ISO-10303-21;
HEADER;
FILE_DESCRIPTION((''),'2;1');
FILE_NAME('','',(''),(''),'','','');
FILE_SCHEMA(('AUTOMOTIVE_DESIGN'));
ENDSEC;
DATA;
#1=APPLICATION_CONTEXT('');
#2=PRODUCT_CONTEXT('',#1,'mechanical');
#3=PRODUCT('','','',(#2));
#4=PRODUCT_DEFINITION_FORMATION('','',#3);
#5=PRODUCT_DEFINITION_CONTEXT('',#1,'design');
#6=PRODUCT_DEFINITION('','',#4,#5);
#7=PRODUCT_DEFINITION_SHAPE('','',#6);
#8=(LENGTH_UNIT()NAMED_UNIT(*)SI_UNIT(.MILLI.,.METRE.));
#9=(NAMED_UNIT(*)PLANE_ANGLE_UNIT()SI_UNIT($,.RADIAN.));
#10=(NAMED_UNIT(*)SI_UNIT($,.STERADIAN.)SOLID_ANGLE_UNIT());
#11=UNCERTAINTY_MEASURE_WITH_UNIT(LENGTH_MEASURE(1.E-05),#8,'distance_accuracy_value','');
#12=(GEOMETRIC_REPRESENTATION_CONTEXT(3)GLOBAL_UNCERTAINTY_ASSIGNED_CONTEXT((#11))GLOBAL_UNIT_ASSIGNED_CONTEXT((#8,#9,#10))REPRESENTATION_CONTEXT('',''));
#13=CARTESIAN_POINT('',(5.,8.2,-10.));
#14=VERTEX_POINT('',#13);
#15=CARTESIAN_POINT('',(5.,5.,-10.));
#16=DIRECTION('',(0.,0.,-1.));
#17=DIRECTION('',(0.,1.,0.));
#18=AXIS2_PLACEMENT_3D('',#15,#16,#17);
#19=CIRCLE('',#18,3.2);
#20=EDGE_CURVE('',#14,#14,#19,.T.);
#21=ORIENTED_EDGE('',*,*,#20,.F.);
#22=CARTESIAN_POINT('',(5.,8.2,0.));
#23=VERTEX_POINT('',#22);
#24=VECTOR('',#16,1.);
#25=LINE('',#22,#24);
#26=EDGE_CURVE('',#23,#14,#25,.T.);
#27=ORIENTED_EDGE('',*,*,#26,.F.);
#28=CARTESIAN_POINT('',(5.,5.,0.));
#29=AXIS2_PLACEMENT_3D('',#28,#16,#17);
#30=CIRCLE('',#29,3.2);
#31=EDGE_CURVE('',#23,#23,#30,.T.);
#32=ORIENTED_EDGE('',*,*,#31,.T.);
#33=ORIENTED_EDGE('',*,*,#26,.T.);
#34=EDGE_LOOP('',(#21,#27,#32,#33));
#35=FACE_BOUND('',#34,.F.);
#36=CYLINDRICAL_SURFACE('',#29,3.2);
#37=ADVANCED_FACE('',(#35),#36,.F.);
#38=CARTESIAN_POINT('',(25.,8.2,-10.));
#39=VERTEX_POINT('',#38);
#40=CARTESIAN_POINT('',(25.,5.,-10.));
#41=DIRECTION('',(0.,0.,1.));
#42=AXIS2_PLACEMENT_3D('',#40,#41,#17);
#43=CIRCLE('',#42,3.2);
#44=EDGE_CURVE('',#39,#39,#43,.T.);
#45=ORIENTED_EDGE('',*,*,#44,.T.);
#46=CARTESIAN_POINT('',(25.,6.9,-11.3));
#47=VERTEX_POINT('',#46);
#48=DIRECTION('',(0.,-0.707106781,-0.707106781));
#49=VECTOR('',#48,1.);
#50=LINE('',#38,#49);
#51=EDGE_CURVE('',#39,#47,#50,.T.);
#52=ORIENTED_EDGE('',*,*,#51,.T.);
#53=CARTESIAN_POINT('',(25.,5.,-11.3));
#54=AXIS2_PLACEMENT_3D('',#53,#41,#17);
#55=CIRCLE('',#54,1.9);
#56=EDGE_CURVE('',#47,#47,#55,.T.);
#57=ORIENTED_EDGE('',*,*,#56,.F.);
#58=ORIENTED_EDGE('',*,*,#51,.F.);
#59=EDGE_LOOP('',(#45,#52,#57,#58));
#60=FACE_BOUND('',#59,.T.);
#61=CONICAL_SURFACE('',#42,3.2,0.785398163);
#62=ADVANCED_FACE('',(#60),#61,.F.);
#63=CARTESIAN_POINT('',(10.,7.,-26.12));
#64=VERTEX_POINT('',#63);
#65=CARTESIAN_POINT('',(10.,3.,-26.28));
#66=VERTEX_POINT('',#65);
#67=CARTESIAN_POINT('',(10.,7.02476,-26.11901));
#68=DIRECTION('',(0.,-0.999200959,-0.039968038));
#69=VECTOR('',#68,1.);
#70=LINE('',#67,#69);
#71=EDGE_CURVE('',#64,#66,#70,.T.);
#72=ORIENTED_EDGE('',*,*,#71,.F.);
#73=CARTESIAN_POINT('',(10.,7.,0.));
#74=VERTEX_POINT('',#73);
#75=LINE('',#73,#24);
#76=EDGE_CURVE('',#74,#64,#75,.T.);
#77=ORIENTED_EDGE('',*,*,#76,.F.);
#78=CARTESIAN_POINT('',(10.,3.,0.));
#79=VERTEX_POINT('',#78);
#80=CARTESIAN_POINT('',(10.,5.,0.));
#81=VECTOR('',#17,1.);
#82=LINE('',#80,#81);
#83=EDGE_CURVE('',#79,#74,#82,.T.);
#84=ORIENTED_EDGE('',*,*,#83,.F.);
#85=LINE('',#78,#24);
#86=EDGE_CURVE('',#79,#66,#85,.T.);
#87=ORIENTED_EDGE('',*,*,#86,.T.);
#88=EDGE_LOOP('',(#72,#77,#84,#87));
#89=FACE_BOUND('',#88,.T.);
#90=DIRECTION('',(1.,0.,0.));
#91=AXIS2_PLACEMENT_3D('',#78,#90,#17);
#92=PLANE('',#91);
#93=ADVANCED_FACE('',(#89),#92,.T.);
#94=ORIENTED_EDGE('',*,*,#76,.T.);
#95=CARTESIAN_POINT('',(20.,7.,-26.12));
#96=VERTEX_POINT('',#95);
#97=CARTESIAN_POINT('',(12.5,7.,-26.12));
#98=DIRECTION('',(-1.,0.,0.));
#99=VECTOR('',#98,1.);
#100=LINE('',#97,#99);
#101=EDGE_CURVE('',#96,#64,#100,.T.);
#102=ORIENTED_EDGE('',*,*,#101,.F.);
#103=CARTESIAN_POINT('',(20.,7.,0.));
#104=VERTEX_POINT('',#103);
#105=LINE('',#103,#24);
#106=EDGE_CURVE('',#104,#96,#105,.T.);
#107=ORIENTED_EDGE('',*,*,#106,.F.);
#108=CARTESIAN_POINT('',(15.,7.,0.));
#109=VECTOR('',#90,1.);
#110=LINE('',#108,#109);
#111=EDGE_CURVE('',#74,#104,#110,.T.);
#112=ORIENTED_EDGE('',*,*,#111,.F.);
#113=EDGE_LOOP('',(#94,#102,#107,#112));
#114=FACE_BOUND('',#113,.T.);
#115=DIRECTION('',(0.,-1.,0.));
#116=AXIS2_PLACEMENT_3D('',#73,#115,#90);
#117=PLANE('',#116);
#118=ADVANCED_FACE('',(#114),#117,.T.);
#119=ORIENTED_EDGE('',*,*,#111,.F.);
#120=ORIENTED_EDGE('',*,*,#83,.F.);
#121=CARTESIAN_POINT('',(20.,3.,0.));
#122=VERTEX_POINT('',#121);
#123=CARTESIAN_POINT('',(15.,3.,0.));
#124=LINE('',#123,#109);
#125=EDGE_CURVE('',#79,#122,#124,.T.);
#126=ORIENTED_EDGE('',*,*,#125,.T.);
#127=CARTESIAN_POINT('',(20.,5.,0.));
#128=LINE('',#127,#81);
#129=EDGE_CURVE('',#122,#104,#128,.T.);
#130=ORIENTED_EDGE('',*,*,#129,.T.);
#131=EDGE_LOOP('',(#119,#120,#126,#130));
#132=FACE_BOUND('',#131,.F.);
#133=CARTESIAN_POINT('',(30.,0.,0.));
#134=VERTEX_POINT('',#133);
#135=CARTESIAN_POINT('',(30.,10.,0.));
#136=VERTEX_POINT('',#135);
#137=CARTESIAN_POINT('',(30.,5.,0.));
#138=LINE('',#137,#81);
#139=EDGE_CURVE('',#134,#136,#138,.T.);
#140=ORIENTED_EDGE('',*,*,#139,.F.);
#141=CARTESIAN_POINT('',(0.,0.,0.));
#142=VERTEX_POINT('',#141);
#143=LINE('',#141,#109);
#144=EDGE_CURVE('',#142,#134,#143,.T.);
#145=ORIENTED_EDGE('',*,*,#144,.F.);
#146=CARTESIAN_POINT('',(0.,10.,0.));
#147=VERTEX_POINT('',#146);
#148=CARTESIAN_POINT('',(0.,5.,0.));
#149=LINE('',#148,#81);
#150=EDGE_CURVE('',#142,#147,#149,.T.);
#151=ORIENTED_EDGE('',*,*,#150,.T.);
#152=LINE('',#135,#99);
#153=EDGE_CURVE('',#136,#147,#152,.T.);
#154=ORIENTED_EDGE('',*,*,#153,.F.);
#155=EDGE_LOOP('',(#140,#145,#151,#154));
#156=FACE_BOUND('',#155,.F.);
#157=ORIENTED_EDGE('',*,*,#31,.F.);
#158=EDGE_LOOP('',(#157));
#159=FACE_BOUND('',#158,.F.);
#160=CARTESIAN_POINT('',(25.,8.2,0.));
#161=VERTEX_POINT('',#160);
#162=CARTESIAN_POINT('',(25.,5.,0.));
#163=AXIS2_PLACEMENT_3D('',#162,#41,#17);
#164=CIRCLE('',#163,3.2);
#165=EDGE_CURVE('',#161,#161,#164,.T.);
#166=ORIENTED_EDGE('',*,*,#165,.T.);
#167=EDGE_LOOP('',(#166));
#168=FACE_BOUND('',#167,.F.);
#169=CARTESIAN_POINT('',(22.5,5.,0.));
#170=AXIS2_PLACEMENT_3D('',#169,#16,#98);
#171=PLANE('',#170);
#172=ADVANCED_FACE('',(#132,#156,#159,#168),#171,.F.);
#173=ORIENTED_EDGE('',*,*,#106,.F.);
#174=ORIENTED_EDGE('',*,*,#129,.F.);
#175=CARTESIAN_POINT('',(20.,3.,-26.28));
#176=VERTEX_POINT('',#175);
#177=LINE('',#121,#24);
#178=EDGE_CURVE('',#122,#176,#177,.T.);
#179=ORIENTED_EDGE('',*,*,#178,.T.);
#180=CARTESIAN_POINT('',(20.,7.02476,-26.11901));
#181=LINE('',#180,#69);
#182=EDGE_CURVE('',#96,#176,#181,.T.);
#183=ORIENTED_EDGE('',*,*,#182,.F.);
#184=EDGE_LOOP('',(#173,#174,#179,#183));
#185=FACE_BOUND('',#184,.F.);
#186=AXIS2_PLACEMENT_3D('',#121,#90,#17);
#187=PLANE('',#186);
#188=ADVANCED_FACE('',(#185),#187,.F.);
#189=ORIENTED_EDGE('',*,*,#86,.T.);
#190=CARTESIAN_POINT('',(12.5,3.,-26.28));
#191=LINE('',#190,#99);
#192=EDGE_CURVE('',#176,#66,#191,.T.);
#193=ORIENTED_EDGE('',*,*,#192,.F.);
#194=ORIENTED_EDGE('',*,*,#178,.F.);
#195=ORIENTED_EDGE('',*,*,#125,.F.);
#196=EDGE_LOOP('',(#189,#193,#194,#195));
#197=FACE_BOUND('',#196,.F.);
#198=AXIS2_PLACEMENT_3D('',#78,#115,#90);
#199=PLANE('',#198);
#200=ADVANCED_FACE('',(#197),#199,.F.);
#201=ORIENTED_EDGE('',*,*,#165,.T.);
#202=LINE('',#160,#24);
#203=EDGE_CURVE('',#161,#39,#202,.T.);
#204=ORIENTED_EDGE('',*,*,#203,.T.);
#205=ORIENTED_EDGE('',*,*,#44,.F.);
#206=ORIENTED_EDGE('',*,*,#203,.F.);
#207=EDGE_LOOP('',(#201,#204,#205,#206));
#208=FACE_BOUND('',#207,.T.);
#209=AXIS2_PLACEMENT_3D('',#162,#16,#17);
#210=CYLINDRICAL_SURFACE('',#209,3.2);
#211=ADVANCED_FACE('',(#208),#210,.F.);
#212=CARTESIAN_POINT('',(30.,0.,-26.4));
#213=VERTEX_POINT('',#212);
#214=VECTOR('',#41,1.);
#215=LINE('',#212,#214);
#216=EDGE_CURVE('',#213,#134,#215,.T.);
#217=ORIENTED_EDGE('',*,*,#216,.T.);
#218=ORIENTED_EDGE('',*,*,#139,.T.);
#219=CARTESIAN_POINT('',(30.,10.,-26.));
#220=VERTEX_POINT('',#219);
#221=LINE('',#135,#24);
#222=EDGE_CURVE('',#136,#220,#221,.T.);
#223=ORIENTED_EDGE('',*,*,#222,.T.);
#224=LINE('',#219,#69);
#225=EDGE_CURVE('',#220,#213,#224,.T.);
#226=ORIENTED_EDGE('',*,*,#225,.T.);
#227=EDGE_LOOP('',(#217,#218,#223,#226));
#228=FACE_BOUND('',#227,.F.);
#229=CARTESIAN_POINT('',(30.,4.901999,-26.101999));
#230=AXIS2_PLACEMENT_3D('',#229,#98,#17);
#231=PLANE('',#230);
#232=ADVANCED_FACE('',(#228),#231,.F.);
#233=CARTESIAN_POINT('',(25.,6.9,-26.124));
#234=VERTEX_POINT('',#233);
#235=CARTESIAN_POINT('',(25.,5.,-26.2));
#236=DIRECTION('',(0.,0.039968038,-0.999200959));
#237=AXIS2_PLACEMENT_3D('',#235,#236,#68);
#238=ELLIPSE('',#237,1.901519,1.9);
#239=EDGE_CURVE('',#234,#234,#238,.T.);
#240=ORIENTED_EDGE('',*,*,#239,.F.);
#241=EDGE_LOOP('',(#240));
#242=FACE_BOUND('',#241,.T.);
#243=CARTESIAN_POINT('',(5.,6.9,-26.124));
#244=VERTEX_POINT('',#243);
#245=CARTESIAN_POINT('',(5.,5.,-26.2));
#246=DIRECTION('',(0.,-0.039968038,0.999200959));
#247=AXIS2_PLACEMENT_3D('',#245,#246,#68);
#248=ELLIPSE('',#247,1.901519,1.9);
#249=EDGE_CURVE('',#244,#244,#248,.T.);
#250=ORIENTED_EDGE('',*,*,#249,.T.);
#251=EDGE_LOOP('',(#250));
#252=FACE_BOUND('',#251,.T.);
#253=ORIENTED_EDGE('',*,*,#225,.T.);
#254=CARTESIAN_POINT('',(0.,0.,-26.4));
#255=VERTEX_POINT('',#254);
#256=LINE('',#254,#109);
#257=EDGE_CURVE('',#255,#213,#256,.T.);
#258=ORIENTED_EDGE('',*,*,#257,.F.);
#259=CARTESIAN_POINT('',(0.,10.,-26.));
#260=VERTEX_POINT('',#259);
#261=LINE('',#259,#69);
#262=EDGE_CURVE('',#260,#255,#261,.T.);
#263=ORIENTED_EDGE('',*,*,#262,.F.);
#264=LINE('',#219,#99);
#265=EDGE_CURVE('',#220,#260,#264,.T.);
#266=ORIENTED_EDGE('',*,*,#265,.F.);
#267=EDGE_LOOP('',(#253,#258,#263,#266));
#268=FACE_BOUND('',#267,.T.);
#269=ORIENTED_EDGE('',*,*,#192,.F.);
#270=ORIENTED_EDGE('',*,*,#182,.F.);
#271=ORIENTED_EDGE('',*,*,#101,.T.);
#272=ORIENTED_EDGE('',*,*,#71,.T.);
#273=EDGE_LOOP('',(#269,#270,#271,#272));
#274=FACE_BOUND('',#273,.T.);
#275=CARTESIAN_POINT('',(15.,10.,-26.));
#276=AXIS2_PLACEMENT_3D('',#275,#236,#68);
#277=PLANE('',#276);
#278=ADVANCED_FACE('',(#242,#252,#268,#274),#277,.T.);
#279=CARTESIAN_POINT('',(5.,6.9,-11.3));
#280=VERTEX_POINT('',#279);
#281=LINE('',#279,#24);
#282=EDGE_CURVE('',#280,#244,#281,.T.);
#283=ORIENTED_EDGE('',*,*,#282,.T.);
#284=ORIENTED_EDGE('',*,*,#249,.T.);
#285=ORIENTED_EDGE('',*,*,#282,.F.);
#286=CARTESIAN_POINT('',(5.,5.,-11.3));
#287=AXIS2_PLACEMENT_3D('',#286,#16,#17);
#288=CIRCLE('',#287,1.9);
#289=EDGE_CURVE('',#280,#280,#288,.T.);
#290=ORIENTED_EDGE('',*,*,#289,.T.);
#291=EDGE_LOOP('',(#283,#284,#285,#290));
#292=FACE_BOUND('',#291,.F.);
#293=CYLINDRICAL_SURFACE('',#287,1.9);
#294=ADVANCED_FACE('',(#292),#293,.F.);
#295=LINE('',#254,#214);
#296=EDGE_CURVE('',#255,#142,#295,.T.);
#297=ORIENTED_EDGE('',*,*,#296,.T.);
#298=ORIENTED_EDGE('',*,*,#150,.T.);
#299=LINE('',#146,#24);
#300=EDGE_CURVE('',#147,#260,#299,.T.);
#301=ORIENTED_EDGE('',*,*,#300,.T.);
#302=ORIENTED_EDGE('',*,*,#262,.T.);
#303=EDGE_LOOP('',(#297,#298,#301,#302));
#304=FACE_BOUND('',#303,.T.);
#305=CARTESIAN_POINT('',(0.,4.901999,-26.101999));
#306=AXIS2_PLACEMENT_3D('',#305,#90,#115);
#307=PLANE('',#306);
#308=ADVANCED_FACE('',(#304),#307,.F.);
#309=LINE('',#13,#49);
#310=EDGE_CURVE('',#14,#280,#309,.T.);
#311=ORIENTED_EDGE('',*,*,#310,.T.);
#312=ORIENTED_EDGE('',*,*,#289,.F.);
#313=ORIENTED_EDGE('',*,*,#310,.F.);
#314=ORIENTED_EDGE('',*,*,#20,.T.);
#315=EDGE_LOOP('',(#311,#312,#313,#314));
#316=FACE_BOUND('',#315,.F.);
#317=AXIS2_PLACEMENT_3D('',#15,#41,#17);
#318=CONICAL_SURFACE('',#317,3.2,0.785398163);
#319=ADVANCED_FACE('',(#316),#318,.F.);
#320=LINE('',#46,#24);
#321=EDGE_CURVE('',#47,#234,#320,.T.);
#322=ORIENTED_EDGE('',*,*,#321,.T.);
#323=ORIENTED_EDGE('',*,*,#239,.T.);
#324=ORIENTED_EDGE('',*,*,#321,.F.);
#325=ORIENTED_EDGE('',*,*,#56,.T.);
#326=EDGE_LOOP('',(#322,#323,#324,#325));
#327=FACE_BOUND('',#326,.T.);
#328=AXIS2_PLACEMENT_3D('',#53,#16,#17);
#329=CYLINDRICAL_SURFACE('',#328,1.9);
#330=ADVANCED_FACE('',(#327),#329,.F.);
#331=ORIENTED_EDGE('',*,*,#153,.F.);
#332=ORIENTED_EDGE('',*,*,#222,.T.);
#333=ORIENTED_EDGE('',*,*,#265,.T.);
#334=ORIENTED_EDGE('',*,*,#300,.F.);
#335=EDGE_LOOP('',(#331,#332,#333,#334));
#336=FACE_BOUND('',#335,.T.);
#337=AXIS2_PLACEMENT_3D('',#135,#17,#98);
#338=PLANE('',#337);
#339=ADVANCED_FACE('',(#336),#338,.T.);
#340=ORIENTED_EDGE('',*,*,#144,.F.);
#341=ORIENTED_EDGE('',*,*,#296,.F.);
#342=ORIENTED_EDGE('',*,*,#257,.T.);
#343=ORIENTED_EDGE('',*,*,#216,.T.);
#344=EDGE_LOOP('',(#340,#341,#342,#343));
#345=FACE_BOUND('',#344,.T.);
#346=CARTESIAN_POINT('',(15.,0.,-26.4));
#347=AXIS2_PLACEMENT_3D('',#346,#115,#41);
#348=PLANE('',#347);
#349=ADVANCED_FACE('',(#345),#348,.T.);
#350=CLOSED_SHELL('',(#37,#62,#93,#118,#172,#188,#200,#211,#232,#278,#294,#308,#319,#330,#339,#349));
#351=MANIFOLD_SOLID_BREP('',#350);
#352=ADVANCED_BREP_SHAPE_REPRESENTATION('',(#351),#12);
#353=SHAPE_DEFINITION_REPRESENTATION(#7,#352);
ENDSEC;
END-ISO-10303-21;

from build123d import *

# Parameters (mm, degrees)
SKETCH_W     = 15
SKETCH_H     = 10
PAD_DEPTH    = 26
PAD001_DEPTH = 15
SKETCH005_W  = 10
SKETCH005_H  = 4
POCKET_DEPTH = 26.401


with BuildPart() as revolution:
    # Sketch004 → Revolution (revolve)
    with BuildSketch(Plane.YZ.offset(5)):
        Polygon((5, 0), (8.2, 0), (8.2, 10), (6.9, 11.3), (6.9, 27), (5, 27), align=None)
    revolve(axis=Axis((5, 5, 13.2), (0, 0, -1)))


with BuildPart() as pad:
    # Sketch → Pad (new body)
    with BuildSketch(Plane.XY):
        with Locations((7.5, 5)):
            Rectangle(SKETCH_W, SKETCH_H)
    extrude(amount=PAD_DEPTH)


with BuildPart() as pad001:
    # Pad001 base: copy of Pad
    add(pad.part)

    # Sketch001 → Pad001 (new body)
    with BuildSketch(Plane.YZ.offset(15)):
        Polygon((0, 26), (10, 26), (0, 26.4), align=None)
    extrude(amount=-PAD001_DEPTH)


with BuildPart() as cut:
    # Fusion base: copy of Pad
    add(pad.part)

    # Fusion: union Pad001
    add(pad001.part)

    # Cut: cut Revolution
    add(revolution.part, mode=Mode.SUBTRACT)


with BuildPart() as part_mirroring:
    # Part__Mirroring: instance of Cut
    add(cut.part.mirror(Plane(origin=(15, 0, 0), x_dir=(0, -1, 0), z_dir=(1, 0, 0))))


with BuildPart() as fusion001:
    # Fusion001 base: copy of Cut
    add(cut.part)

    # Fusion001: union Part__Mirroring
    add(part_mirroring.part)


with BuildPart() as pocket:
    # Part__Mirroring001: instance of Fusion001
    add(fusion001.part.mirror(Plane(origin=(0, 0, 0), x_dir=(0, 1, 0), z_dir=(0, 0, 1))))

    # Sketch005 → Pocket (cut, through all)
    with BuildSketch(Plane.XY):
        with Locations((15, 5)):
            Rectangle(SKETCH005_W, SKETCH005_H)
    extrude(amount=-POCKET_DEPTH, mode=Mode.SUBTRACT)


solid = pocket.part
